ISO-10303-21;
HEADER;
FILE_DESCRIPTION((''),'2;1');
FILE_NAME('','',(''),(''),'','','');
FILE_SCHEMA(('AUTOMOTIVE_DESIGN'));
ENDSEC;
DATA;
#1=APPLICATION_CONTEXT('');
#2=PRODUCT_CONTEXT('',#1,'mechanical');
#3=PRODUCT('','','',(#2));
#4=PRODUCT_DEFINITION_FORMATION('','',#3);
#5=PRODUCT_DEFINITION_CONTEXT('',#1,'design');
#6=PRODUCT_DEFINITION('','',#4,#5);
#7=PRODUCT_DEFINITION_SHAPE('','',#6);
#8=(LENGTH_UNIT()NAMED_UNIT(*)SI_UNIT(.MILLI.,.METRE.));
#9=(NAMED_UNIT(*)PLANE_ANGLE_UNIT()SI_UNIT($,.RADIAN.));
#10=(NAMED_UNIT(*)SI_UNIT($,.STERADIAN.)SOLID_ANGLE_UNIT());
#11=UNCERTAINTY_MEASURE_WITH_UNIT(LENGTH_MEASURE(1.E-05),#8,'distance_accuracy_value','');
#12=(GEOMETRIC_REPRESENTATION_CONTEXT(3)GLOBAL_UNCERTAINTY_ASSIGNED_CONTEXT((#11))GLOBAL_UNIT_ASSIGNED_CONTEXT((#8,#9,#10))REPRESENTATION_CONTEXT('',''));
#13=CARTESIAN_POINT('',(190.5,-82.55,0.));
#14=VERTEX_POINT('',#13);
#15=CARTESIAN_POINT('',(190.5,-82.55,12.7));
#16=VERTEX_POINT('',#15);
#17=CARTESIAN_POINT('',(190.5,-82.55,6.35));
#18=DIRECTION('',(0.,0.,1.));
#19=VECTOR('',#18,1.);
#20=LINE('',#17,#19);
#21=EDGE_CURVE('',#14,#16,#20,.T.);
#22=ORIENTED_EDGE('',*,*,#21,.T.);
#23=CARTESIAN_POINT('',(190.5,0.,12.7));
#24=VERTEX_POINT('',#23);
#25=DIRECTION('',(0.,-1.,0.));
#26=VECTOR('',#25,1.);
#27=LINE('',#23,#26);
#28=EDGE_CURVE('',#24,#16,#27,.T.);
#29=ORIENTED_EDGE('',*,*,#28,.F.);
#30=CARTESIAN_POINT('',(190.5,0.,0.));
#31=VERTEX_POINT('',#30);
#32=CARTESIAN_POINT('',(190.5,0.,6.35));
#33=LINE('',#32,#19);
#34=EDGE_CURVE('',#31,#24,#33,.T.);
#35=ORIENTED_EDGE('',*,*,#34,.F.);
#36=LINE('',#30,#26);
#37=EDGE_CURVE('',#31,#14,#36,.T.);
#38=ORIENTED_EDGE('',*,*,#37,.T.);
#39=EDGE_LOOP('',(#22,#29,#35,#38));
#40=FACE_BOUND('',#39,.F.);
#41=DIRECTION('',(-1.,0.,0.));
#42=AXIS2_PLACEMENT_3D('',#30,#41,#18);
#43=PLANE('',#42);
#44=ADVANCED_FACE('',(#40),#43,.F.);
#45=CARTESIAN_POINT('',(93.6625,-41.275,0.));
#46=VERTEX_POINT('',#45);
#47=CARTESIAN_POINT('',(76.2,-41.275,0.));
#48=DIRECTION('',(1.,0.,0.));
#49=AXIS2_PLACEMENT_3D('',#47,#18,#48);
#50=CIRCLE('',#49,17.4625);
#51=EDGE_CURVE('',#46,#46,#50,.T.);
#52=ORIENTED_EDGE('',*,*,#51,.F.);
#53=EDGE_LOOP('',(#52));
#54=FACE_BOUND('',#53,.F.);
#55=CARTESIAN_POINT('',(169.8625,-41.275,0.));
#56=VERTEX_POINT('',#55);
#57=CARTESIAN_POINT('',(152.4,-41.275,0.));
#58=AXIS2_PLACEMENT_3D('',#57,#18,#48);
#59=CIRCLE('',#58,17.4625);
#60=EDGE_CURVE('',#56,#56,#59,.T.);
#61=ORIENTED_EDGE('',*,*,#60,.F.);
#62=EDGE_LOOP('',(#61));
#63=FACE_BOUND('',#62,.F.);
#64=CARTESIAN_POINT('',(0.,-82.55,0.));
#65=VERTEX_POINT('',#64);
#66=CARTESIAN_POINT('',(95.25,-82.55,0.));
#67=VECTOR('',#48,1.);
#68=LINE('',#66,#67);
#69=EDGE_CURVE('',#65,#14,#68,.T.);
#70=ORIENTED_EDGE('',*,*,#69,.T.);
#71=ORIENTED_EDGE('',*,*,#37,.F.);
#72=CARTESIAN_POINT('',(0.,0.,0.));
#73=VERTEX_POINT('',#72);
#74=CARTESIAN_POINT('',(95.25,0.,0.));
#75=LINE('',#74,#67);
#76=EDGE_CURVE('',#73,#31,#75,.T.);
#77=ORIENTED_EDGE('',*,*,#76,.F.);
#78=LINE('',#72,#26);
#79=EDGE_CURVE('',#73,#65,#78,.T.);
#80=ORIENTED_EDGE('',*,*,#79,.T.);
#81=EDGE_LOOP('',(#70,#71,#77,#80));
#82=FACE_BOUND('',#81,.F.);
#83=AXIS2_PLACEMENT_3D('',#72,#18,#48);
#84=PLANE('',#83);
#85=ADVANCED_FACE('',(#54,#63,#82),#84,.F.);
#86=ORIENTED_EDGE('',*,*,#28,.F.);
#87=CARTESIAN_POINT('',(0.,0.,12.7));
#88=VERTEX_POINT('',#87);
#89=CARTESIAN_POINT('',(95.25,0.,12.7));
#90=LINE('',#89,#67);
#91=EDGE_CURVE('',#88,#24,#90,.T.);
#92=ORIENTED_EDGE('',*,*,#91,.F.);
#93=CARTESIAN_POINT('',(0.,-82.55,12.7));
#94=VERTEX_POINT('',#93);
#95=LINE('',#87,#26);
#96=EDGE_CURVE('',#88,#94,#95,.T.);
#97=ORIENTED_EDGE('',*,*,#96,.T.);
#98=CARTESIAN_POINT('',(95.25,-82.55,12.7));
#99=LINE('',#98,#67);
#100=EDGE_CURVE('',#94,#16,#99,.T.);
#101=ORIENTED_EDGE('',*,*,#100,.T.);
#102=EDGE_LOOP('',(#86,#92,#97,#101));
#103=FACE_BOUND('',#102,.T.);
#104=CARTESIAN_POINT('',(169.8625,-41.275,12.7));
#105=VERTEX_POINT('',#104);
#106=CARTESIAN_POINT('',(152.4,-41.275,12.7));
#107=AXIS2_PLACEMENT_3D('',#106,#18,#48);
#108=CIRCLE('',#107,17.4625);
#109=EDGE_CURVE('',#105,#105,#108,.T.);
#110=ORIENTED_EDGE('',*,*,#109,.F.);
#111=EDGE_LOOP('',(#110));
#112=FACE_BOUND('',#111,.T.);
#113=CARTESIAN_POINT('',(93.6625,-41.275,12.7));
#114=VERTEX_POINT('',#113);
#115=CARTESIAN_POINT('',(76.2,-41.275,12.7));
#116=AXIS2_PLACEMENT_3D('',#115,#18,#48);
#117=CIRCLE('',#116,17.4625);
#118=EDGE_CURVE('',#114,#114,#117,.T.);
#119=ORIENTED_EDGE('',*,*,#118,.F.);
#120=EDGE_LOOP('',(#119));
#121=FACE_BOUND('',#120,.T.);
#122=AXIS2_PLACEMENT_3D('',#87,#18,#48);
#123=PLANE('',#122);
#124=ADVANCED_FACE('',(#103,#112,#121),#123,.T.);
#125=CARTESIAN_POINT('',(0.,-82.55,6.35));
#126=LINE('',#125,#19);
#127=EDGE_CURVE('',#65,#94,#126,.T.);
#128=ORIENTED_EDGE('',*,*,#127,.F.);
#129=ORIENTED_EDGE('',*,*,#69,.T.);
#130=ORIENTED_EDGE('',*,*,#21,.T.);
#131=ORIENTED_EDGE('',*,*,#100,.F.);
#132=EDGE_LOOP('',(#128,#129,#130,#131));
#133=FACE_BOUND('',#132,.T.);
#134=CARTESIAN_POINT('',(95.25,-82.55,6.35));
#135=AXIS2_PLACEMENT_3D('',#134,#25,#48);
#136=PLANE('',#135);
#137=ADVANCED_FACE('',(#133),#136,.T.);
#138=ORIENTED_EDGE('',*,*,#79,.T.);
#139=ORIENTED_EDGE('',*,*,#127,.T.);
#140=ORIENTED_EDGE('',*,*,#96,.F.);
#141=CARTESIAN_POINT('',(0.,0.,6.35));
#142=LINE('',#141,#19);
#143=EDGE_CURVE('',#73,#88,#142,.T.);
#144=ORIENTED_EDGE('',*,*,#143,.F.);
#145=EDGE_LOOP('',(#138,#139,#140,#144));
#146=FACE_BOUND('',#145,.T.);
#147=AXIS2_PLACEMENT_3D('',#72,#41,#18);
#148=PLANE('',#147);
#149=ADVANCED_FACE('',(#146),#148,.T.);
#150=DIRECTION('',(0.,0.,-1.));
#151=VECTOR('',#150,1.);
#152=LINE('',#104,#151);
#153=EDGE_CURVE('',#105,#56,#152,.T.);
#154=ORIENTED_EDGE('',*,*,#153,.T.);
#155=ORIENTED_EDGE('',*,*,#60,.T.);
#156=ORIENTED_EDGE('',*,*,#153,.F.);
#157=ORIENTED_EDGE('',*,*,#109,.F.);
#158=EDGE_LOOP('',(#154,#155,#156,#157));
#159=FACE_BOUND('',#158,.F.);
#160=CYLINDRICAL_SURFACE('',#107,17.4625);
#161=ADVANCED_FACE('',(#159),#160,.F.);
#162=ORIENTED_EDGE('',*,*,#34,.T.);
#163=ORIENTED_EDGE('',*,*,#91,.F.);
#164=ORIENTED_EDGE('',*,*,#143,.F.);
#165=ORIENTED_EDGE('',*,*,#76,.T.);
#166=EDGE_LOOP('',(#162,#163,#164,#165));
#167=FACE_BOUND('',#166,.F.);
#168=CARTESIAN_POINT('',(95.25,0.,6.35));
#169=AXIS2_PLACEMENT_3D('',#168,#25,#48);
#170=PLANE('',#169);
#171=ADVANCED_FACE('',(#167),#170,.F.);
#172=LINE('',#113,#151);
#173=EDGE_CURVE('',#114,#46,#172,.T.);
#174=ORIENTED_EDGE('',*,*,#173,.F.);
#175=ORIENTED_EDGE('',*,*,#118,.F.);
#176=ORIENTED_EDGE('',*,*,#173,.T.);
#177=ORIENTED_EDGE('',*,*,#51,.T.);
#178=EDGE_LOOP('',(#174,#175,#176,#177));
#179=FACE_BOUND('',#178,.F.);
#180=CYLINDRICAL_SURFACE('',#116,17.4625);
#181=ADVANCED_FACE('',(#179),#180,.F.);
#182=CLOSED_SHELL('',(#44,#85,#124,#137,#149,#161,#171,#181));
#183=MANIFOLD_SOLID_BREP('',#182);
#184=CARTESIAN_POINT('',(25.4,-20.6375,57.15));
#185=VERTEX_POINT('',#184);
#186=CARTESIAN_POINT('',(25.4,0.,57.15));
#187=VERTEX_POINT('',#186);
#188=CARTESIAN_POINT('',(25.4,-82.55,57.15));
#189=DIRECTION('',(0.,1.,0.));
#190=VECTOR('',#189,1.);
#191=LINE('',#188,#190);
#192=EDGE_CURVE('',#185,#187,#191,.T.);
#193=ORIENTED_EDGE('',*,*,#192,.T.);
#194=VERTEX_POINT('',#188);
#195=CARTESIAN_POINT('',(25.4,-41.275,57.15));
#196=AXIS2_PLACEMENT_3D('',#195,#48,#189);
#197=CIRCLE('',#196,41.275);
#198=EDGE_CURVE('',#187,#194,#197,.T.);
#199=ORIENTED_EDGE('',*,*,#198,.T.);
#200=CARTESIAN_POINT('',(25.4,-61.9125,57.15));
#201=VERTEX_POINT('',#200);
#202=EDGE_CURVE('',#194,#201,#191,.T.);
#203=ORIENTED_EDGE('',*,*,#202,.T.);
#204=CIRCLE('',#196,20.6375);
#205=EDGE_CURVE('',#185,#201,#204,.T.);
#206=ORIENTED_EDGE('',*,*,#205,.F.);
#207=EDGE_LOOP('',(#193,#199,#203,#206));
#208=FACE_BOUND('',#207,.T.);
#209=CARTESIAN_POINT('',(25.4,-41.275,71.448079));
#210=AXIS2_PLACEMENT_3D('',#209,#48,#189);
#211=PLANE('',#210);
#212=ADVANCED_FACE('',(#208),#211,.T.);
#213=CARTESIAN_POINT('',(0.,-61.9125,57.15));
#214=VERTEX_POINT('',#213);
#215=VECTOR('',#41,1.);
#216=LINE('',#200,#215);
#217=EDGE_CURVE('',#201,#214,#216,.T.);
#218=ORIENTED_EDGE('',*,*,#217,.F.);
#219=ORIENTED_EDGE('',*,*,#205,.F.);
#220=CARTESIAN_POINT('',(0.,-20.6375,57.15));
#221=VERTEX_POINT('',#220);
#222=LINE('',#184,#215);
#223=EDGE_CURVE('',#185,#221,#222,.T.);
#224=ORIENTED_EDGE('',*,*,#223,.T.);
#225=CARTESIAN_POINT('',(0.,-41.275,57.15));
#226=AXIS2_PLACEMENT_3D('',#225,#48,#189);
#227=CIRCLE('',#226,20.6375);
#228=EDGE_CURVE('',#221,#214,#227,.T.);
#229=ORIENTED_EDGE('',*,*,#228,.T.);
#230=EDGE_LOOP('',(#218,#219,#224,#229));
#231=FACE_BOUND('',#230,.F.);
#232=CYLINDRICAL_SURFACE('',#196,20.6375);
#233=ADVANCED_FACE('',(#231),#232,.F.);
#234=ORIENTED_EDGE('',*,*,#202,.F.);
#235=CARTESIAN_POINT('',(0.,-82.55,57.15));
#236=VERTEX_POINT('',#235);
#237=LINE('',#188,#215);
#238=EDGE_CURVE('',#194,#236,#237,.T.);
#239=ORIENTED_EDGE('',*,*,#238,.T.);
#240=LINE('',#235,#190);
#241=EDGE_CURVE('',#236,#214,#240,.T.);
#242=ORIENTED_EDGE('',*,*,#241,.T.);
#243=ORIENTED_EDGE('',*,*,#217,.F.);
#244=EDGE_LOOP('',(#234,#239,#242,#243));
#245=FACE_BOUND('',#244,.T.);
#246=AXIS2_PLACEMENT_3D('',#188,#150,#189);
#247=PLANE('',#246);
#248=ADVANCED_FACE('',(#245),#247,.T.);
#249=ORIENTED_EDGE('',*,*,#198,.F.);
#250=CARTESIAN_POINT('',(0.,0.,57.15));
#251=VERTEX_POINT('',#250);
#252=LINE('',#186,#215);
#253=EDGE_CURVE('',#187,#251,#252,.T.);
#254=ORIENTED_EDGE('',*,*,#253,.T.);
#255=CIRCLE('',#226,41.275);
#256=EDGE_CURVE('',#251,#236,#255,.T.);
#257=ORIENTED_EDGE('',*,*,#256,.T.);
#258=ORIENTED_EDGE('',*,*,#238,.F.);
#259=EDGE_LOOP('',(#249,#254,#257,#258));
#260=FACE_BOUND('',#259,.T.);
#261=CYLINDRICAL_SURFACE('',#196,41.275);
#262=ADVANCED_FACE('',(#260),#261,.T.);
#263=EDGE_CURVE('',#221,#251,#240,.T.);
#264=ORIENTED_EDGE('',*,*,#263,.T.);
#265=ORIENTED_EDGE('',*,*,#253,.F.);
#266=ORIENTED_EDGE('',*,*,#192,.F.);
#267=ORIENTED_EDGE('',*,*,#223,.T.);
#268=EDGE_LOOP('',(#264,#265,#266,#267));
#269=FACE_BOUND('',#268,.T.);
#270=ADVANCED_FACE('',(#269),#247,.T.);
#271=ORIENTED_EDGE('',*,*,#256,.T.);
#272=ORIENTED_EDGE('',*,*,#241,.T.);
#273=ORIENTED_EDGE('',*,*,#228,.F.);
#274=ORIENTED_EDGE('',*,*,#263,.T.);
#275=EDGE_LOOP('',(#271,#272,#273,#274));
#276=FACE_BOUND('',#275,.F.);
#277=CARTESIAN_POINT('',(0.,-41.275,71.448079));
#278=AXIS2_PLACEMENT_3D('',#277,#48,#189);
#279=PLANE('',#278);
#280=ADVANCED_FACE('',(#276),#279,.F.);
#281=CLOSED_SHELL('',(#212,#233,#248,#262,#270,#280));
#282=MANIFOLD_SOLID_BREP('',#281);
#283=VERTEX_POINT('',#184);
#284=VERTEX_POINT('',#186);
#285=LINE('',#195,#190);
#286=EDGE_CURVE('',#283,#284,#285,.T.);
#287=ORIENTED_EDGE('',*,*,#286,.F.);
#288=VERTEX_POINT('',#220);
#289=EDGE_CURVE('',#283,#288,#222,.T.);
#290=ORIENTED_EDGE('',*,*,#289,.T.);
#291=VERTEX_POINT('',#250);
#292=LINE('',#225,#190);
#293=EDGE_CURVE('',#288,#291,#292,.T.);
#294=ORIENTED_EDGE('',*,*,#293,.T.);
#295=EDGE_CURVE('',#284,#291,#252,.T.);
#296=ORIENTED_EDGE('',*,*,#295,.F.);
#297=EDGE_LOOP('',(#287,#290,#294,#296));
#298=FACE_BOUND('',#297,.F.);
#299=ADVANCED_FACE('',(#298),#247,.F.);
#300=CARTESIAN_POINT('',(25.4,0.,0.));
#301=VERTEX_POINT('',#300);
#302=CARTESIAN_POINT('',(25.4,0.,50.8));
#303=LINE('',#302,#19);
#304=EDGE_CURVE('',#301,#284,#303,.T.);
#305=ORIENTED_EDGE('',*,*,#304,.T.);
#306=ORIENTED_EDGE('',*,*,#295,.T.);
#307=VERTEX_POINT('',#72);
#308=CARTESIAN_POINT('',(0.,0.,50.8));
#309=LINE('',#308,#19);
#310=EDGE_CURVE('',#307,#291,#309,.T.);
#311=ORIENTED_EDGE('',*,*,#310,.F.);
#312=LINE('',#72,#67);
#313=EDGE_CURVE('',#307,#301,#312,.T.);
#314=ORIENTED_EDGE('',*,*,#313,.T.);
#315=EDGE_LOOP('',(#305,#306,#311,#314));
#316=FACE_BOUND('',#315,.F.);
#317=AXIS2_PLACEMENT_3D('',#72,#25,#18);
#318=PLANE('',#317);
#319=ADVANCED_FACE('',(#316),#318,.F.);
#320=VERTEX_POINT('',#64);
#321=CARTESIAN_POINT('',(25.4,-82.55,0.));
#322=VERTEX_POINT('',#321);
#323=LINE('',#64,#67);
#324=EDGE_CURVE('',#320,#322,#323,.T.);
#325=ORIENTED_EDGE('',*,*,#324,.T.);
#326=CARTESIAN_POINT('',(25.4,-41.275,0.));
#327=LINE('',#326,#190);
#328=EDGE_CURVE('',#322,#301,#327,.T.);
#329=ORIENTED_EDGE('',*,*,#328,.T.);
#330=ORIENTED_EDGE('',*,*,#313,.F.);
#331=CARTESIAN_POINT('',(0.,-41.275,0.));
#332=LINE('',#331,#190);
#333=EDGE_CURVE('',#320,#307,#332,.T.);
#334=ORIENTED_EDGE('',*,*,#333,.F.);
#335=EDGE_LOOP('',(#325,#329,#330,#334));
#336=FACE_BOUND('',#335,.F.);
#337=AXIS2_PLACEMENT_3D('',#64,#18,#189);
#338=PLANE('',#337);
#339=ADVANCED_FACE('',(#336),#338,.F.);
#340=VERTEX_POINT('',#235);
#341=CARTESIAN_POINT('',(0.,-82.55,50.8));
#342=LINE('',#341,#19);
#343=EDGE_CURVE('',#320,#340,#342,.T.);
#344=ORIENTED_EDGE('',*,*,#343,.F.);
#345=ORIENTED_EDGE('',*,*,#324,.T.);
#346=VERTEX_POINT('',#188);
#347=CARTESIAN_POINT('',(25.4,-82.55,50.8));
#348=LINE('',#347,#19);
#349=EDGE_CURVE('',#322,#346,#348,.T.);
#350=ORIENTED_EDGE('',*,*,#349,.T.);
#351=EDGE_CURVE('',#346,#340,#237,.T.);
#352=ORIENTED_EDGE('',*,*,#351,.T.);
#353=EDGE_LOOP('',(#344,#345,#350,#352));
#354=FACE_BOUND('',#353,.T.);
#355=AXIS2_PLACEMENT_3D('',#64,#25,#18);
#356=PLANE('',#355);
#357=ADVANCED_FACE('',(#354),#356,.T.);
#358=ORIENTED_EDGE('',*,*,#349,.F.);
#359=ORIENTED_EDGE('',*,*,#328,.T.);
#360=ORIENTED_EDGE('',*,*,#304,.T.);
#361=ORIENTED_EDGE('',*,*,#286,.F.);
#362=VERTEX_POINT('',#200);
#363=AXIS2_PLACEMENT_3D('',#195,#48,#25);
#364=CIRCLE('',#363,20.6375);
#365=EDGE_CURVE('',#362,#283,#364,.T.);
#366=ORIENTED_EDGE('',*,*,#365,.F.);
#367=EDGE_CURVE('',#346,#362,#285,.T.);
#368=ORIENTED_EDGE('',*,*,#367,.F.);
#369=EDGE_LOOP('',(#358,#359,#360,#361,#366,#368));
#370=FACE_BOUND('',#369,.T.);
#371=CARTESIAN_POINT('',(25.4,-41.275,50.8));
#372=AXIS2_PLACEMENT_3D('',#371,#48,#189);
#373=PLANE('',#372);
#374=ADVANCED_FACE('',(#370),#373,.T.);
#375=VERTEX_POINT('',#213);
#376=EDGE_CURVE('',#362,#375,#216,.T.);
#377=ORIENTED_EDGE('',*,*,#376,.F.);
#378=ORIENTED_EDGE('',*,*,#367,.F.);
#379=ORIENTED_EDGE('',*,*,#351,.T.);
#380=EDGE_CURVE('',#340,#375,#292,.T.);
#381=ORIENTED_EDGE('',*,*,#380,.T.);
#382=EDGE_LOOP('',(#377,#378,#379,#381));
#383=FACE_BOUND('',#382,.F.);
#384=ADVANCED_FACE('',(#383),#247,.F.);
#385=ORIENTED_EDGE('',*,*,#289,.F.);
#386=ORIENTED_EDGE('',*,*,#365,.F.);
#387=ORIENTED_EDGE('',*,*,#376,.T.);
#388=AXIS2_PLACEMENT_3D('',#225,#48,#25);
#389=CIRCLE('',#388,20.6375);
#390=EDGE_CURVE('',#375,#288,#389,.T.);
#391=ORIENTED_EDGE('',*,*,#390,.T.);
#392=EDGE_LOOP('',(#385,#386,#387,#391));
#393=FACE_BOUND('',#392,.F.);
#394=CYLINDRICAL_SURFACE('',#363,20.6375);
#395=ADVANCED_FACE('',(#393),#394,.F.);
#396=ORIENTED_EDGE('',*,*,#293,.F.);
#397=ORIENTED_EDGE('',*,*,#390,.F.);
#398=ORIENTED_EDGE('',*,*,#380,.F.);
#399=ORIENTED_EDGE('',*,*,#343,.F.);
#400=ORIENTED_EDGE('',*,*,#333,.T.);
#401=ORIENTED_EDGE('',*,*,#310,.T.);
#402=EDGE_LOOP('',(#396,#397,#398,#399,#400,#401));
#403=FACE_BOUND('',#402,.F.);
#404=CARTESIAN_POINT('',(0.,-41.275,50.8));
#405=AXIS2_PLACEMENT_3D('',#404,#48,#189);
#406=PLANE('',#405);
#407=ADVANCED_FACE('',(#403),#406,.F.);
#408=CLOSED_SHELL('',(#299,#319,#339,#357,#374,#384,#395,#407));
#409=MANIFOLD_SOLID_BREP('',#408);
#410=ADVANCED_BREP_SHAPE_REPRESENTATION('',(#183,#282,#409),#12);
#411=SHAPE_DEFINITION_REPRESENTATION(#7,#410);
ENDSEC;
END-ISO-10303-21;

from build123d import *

# Parameters (mm, degrees)
F0_W      = 190.5
F0_H      = 12.7
F1_DEPTH  = 82.55
F2_W      = 82.55
F2_H      = 101.6
F3_DEPTH  = 25.4
F4_W      = 82.55
F4_H      = 44.45
F5_DEPTH  = 25.4
F7_DEPTH  = 25.4
F9_DEPTH  = 25.4
F10_DEPTH = 25.4
F11_R     = 17.4625
F12_DEPTH = 25.4


with BuildPart() as f1:
    # F0 (on Front) → F1 (new body)
    with BuildSketch(Plane.XZ):
        with Locations((95.25, 6.35)):
            Rectangle(F0_W, F0_H)
    extrude(amount=F1_DEPTH)

    # F11 (on face) → F12 (cut)
    with BuildSketch(Plane.XY.offset(12.7)):
        with Locations((152.4, -41.275)):
            Circle(F11_R)
        with Locations((76.2, -41.275)):
            Circle(F11_R)
    extrude(amount=-F12_DEPTH, mode=Mode.SUBTRACT)


with BuildPart() as f3:
    # F2 (on Right) → F3 (new body)
    with BuildSketch(Plane.YZ):
        with Locations((-41.275, 50.8)):
            Rectangle(F2_W, F2_H)
    extrude(amount=F3_DEPTH)

    # F4 (on face) → F5 (cut)
    with BuildSketch(Plane.YZ.offset(25.4)):
        with Locations((-41.275, 79.375)):
            Rectangle(F4_W, F4_H)
    extrude(amount=-F5_DEPTH, mode=Mode.SUBTRACT)

    # F8 (on face) → F10 (cut)
    with BuildSketch(Plane.YZ.offset(25.4)):
        with BuildLine():
            ThreePointArc((-61.9125, 57.15), (-41.275, 36.5125), (-20.6375, 57.15))
            Line((-20.6375, 57.15), (-61.9125, 57.15))
        make_face()
    extrude(amount=-F10_DEPTH, mode=Mode.SUBTRACT)


with BuildPart() as f7:
    # F6 (on face) → F7 (new body)
    with BuildSketch(Plane.YZ.offset(25.4)):
        with BuildLine():
            Line((-82.55, 57.15), (0, 57.15))
            ThreePointArc((0, 57.15), (-41.275, 98.425), (-82.55, 57.15))
        make_face()
    extrude(amount=-F7_DEPTH)

    # F8 (on face) → F9 (cut)
    with BuildSketch(Plane.YZ.offset(25.4)):
        with BuildLine():
            Line((-61.9125, 57.15), (-20.6375, 57.15))
            ThreePointArc((-20.6375, 57.15), (-41.275, 77.7875), (-61.9125, 57.15))
        make_face()
    extrude(amount=-F9_DEPTH, mode=Mode.SUBTRACT)


solid = Compound([f1.part, f3.part, f7.part])
